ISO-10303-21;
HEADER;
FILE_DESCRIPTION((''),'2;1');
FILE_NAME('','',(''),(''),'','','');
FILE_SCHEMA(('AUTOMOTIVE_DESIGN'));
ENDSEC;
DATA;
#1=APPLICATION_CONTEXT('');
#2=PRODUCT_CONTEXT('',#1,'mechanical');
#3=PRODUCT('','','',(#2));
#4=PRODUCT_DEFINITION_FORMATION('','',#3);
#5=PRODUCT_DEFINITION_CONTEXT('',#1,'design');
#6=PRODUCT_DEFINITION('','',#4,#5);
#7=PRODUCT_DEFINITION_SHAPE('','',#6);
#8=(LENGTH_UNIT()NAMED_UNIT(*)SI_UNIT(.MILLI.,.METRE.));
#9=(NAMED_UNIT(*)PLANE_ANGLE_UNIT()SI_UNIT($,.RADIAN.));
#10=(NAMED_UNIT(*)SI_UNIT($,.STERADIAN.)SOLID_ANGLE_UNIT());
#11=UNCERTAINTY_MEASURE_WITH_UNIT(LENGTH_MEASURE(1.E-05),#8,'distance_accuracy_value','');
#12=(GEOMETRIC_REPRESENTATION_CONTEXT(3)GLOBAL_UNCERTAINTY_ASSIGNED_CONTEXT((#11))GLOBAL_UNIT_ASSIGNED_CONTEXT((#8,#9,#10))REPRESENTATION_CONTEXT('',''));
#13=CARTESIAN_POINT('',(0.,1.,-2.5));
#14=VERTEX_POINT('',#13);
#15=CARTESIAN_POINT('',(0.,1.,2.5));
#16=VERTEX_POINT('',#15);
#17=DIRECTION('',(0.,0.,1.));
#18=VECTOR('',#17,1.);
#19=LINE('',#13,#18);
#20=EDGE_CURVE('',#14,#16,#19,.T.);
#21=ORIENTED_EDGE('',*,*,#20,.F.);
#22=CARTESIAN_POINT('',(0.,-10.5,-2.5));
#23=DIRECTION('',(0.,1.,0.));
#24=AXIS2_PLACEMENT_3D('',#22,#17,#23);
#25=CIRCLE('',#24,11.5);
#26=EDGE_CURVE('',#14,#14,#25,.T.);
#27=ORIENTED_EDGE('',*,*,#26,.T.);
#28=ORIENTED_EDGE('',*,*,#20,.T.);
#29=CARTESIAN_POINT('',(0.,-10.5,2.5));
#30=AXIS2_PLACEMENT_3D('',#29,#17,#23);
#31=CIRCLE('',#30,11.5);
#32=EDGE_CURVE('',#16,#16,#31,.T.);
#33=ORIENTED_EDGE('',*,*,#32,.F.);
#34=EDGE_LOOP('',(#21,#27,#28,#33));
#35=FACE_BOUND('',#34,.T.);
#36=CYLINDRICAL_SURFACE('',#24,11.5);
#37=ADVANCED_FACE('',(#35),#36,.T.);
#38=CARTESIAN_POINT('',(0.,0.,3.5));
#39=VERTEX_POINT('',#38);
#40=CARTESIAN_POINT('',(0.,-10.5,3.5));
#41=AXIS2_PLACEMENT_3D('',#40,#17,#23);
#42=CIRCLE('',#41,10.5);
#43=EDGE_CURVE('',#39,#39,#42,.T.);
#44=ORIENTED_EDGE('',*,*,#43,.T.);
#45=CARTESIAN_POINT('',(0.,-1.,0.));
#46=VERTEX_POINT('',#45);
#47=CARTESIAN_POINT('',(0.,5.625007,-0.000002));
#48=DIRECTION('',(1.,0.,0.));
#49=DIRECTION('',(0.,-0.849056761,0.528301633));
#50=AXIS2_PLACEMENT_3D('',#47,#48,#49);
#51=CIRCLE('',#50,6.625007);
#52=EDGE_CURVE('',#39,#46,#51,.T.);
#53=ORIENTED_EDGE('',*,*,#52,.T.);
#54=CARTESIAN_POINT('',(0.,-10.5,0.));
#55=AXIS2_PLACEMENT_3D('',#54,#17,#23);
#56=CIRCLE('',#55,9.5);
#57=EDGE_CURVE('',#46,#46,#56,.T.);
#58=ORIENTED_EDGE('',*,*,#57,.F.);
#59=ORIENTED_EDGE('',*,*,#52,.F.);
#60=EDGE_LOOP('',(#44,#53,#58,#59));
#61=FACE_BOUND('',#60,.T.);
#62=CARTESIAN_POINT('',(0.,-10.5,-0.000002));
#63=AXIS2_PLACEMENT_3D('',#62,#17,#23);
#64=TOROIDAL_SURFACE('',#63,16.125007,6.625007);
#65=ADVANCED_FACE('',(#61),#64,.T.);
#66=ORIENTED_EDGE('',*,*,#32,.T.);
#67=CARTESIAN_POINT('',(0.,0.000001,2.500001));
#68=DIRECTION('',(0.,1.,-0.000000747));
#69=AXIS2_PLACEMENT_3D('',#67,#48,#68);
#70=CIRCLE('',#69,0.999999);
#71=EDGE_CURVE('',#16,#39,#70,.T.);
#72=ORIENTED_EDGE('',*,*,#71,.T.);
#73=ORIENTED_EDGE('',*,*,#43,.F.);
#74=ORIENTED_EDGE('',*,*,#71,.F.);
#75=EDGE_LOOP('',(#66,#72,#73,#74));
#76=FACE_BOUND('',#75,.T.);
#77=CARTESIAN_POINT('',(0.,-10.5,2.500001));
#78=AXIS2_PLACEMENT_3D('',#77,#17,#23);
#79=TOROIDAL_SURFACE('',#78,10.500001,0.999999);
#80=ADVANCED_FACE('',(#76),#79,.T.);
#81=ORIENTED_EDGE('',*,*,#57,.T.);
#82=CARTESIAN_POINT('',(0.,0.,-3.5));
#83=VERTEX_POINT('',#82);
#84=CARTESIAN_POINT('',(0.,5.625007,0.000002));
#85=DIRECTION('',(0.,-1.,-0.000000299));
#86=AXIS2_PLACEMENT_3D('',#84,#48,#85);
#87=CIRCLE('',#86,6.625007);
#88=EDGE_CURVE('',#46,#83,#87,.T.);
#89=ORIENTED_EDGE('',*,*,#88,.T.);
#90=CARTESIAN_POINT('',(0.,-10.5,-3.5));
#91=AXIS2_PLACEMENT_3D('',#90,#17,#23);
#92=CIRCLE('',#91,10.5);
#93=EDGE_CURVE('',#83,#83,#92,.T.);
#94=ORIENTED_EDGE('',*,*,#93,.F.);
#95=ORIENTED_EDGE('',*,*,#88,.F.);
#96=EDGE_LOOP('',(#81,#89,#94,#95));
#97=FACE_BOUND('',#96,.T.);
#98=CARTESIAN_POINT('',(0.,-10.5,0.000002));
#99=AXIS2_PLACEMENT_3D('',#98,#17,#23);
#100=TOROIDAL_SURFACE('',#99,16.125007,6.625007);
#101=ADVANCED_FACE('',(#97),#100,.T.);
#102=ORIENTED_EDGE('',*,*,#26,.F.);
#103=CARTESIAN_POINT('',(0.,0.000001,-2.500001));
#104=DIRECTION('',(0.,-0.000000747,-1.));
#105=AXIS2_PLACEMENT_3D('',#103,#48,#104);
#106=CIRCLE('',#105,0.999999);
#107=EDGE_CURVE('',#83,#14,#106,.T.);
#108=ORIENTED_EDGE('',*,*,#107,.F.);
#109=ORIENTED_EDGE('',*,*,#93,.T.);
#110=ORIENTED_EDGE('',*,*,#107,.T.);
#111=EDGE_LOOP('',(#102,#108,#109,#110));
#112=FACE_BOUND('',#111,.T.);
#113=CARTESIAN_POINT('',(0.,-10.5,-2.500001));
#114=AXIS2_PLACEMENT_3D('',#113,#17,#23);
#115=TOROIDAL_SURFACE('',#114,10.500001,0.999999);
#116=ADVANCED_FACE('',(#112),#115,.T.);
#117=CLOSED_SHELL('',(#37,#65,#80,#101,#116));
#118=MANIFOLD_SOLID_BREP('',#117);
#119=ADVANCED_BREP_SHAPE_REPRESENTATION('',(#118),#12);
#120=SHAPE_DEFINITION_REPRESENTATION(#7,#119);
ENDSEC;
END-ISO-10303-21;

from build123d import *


with BuildPart() as f1:
    # F0 (on Right) → F1 (revolve)
    with BuildSketch(Plane.YZ):
        with BuildLine():
            Line((1, -2.5), (1, 0))
            Line((1, 0), (1, 2.5))
            ThreePointArc((1, 2.5), (0.707107, 3.207107), (0, 3.5))
            ThreePointArc((0, 3.5), (-0.745096, 1.820027), (-1, 0))
            ThreePointArc((-1, 0), (-0.745096, -1.820027), (0, -3.5))
            ThreePointArc((0, -3.5), (0.707107, -3.207107), (1, -2.5))
        make_face()
    revolve(axis=Axis((0, -10.5, -0.390912), (0, 0, 1)))


solid = f1.part
